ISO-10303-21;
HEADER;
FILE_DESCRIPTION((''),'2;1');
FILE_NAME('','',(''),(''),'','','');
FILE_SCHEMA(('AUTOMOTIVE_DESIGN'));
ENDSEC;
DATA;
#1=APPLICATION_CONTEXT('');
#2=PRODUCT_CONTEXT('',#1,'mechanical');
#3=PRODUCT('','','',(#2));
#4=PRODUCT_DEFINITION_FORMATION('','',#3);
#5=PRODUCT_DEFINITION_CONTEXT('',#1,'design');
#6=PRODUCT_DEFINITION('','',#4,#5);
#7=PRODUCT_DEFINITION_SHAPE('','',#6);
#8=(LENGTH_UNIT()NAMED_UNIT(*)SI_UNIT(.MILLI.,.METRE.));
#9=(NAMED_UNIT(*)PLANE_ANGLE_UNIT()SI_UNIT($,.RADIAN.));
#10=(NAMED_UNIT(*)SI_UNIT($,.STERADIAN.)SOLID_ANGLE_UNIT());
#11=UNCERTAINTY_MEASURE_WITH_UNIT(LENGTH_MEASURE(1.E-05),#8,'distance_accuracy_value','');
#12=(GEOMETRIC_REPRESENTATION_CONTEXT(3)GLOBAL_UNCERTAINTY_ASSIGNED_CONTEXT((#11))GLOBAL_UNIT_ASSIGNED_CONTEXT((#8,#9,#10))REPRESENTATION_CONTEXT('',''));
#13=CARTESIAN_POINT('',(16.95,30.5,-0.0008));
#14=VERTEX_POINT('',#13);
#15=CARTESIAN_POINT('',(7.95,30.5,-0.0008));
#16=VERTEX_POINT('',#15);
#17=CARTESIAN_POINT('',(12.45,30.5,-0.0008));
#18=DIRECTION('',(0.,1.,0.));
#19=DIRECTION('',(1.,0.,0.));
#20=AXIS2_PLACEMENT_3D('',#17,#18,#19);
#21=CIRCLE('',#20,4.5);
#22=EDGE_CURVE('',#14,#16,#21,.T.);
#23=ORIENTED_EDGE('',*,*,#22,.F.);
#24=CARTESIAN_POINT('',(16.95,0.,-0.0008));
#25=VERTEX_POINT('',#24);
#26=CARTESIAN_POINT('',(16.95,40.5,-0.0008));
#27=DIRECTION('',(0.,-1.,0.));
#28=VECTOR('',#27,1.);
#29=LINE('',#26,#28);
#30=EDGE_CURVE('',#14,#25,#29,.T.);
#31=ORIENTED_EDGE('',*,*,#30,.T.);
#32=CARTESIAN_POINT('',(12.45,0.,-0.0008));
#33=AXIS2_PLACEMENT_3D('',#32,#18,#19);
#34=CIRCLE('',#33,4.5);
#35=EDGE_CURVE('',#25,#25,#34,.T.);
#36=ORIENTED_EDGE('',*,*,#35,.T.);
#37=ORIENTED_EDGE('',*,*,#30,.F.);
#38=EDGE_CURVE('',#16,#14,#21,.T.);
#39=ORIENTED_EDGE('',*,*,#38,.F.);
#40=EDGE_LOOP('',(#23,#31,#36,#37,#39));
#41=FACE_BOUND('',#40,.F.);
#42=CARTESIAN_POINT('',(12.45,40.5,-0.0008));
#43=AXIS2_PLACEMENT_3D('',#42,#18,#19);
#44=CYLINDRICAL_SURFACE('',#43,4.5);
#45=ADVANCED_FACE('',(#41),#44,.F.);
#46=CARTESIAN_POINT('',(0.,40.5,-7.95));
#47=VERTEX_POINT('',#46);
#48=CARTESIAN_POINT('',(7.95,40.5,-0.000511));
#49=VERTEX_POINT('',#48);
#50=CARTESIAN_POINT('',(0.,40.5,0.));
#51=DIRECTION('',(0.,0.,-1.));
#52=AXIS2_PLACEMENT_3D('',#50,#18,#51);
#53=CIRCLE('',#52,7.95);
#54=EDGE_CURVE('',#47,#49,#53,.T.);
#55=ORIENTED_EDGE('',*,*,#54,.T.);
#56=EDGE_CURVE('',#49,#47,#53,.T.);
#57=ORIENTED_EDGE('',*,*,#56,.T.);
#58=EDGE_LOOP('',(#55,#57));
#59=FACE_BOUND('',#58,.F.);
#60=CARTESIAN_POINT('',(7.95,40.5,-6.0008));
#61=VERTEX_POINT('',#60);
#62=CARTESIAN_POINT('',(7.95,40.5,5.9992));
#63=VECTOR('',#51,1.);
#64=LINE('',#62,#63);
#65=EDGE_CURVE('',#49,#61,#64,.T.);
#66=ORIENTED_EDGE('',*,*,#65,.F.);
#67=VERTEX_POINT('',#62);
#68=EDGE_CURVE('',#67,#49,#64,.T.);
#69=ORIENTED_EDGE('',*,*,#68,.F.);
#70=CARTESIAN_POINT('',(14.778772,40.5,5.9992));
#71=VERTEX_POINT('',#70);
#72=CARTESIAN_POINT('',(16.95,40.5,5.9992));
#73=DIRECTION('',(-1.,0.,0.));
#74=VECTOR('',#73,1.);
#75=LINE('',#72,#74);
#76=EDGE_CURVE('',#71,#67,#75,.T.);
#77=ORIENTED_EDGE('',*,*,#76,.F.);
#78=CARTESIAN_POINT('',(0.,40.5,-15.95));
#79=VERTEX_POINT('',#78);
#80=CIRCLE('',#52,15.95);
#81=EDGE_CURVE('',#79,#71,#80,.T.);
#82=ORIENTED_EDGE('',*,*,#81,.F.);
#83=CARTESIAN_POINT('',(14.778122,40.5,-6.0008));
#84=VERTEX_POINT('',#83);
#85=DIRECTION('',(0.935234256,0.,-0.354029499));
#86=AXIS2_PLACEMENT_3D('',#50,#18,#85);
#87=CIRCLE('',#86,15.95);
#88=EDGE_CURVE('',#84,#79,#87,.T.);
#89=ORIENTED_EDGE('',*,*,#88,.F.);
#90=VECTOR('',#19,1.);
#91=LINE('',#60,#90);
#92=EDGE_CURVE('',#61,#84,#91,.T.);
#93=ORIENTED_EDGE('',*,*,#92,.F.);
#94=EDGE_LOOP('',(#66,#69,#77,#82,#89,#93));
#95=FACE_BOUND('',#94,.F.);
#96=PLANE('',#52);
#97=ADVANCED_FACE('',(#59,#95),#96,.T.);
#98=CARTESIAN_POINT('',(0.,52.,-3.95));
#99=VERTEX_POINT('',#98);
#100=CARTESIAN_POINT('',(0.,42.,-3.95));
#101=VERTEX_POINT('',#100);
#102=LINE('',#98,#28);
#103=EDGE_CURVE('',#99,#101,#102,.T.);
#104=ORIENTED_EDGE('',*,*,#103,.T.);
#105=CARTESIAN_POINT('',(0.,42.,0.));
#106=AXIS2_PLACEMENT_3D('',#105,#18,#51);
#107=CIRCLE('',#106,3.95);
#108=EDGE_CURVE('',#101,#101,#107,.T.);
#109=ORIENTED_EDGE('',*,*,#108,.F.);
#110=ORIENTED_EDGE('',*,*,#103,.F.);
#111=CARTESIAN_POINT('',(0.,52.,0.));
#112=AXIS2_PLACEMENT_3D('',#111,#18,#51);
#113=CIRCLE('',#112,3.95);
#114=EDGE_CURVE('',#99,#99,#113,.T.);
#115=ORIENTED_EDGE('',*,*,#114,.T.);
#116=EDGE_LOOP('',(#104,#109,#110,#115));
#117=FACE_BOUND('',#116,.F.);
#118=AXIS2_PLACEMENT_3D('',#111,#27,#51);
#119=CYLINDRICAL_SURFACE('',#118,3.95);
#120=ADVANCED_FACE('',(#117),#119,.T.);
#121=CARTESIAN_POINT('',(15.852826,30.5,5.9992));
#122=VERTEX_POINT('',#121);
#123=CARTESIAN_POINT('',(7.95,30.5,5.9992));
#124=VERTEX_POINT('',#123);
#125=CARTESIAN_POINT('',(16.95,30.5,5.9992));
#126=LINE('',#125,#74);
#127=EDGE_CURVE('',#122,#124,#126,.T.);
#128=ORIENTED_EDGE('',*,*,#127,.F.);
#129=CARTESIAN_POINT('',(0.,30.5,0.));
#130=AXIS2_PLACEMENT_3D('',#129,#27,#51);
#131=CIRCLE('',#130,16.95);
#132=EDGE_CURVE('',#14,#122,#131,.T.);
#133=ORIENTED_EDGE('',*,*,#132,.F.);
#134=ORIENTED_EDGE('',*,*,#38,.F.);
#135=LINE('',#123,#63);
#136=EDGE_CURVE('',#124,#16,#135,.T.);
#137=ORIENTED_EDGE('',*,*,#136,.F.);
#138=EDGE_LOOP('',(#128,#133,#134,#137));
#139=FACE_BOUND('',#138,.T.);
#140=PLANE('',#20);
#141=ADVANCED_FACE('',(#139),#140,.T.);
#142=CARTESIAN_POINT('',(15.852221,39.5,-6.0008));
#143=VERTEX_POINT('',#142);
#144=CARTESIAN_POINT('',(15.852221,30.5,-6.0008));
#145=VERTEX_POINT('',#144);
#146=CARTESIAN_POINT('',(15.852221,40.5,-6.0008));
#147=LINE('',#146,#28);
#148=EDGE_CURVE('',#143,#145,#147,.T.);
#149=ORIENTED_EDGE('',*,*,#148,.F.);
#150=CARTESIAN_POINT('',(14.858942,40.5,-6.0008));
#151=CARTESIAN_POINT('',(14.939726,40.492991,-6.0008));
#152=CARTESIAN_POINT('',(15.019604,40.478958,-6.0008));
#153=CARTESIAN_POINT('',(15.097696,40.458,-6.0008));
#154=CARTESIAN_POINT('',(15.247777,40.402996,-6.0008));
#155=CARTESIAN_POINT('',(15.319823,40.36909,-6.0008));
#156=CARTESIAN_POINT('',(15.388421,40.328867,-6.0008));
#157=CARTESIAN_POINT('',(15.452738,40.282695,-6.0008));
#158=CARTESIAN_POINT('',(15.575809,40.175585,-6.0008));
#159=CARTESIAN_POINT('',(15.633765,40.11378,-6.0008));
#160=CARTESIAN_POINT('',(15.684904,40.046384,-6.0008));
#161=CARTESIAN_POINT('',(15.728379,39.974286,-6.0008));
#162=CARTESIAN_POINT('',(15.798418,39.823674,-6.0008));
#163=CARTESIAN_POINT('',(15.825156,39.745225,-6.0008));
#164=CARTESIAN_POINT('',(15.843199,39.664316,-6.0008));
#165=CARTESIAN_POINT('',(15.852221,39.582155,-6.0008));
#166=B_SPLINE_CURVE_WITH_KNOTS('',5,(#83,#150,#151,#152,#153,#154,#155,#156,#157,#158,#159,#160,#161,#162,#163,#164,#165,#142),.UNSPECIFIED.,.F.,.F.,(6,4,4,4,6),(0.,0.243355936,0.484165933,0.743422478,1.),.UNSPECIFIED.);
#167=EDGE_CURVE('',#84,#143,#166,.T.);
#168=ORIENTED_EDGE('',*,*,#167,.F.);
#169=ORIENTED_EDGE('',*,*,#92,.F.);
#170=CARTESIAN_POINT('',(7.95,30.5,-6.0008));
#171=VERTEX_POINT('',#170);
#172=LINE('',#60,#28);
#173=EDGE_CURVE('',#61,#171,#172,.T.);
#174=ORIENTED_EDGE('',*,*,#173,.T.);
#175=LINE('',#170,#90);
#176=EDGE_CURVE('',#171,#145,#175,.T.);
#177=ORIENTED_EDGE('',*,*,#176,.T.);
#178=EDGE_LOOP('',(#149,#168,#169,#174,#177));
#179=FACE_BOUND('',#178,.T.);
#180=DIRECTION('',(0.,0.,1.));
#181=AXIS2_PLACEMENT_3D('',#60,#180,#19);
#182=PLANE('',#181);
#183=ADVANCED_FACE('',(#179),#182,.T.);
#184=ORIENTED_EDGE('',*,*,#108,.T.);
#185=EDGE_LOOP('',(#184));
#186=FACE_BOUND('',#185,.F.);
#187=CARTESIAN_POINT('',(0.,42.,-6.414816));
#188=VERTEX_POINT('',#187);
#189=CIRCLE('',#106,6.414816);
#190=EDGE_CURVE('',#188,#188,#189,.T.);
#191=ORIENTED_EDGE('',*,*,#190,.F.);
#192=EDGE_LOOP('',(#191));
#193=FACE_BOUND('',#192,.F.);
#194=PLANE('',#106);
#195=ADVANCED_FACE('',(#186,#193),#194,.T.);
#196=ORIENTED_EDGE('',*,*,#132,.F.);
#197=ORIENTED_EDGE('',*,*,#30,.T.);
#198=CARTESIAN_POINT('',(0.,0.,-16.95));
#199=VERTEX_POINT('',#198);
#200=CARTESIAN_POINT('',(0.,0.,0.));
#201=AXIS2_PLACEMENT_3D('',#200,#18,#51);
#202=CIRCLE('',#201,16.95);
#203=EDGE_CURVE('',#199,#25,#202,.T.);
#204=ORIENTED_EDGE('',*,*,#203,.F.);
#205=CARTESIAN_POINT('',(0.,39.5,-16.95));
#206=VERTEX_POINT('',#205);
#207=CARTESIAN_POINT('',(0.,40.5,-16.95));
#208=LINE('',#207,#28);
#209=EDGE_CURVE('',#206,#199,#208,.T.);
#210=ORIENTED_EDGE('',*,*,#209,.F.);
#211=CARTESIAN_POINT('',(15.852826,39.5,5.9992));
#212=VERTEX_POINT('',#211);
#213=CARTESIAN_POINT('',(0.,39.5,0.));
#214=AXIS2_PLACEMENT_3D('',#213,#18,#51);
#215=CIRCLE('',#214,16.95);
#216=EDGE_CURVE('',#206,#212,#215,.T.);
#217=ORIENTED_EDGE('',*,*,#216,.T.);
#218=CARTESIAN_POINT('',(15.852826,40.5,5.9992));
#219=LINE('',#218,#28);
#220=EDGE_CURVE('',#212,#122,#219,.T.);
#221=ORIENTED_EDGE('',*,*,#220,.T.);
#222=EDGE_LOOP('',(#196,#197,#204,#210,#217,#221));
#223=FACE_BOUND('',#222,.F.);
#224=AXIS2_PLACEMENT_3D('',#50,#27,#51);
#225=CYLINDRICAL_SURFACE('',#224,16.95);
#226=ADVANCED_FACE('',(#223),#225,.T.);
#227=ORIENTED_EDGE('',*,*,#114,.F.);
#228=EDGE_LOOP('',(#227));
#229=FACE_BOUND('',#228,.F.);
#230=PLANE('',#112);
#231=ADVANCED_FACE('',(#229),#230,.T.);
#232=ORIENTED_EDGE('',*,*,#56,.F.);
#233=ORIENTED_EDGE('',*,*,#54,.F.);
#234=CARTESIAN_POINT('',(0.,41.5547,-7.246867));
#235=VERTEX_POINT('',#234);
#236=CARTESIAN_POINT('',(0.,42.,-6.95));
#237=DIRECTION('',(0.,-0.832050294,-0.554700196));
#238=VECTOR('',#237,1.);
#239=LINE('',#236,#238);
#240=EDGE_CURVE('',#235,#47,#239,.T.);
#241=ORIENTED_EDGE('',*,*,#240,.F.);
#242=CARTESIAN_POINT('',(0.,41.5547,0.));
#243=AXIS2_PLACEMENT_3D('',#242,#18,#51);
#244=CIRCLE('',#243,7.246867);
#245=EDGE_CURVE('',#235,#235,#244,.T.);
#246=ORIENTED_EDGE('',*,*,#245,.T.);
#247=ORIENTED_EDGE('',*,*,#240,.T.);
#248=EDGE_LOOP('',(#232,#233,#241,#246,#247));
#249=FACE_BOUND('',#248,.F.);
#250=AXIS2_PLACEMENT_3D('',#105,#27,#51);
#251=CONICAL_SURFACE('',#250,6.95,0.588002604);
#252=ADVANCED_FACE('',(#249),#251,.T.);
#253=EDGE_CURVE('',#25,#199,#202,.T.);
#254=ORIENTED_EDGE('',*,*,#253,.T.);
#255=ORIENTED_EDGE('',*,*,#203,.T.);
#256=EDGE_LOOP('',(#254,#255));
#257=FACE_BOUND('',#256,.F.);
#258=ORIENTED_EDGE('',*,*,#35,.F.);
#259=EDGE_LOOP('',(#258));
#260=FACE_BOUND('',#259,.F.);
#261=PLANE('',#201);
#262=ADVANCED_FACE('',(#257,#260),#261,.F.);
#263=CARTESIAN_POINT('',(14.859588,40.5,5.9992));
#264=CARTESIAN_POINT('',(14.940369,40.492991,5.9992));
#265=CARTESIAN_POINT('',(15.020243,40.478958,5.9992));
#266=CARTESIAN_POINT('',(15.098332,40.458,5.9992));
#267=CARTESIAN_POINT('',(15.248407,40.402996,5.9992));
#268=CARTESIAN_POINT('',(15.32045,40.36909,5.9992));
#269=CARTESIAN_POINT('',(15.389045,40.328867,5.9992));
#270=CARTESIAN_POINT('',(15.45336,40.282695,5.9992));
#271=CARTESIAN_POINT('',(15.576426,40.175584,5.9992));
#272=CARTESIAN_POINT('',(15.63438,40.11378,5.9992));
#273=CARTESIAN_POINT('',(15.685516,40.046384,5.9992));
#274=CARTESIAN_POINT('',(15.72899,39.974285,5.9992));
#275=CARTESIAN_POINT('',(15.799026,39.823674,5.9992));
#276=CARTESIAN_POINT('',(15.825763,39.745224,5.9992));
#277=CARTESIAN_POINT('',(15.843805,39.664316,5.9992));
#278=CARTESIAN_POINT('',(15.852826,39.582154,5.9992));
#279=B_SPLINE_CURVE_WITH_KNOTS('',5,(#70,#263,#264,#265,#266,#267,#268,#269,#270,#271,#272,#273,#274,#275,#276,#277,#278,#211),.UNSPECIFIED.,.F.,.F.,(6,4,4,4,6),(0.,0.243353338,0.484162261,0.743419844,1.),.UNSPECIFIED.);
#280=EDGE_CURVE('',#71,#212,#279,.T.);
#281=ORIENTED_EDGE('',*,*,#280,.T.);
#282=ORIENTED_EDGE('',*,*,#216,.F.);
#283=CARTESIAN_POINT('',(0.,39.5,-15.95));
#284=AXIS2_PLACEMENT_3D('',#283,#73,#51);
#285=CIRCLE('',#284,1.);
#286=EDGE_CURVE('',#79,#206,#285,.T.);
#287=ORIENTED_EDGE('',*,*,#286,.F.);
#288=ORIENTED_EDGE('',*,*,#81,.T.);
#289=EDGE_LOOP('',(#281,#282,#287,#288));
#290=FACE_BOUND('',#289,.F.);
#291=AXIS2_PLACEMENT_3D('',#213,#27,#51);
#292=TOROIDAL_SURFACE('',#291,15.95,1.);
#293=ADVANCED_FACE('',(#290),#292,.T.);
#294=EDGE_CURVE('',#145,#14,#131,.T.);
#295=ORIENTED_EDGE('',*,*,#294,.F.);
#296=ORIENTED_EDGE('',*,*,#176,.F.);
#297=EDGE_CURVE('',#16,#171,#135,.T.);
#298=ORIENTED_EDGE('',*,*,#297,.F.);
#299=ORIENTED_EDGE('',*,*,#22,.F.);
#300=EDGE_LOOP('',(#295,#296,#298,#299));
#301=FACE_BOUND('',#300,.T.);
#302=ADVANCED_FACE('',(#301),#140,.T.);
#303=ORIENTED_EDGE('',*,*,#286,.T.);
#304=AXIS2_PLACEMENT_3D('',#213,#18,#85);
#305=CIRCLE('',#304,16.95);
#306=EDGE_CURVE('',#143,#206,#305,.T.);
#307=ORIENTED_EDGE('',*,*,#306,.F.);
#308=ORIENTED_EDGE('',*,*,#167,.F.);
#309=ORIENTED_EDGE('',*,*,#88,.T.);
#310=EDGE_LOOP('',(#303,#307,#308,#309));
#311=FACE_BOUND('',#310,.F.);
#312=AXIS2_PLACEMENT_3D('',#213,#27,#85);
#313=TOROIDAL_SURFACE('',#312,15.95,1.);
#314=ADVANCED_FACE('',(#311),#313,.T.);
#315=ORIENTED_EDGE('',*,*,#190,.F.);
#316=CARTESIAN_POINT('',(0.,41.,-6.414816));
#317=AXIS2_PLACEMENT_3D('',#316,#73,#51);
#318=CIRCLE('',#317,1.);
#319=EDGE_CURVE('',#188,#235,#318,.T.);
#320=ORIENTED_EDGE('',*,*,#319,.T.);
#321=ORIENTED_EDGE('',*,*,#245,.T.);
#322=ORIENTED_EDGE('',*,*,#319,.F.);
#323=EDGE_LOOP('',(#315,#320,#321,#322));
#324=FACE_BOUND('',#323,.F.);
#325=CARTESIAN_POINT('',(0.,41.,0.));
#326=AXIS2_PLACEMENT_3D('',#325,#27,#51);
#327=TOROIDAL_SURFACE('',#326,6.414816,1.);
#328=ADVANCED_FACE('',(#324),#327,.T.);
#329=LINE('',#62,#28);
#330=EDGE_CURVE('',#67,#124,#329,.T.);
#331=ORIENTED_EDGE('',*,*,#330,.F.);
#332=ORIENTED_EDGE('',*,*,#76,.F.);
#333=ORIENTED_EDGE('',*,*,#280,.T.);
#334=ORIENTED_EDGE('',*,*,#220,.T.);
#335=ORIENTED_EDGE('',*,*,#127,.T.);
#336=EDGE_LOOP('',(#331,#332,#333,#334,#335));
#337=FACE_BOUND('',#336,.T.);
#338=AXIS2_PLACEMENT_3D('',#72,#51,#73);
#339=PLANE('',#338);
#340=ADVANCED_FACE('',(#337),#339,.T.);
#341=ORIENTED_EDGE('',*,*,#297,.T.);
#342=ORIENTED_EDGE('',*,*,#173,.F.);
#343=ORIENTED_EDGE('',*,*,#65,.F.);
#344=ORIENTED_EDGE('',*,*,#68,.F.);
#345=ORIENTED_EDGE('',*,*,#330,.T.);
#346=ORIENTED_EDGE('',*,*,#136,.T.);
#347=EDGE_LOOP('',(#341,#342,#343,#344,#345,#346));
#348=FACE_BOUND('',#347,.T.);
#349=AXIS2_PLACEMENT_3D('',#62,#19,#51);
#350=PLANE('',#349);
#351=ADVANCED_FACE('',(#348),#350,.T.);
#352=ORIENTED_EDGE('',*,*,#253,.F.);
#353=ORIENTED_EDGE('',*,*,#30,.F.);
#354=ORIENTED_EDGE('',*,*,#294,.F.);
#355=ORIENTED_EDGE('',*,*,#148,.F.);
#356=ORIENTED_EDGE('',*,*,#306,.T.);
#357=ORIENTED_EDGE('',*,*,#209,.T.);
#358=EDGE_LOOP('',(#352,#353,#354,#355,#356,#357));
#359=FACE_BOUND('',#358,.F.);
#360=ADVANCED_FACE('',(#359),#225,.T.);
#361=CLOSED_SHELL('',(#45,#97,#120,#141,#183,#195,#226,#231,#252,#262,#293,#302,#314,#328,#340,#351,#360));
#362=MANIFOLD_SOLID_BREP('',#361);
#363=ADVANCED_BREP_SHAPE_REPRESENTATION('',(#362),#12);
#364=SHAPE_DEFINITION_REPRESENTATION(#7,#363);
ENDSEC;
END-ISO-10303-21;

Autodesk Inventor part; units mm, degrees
ref_plane "YZ Plane" through (0, 0, 0) normal (1, 0, 0) x (0, 1, 0)
ref_plane "XZ Plane" through (0, 0, 0) normal (0, 1, 0) x (-1, 0, 0)
ref_plane "XY Plane" through (0, 0, 0) normal (0, 0, 1) x (1, 0, 0)
sketch "Sketch1" plane through (0, 0, 0) normal (1, 0, 0) x (0, 1, 0)
  line L0 (0, 0) -> (52, 0)
  line L1 (52, 0) -> (52, -3.95)
  line L2 (52, -3.95) -> (42, -3.95)
  line L3 (42, -3.95) -> (42, -6.95)
  line L4 (42, -6.95) -> (40.5, -7.95)
  line L5 (0, -16.95) -> (0, 0)
  line L6 (-10.4, 0) -> (62.4, 0) projected
  line L7 (40.5, -7.95) -> (40.5, -16.95)
  line L8 (40.5, -16.95) -> (0, -16.95)
  dimension "d0" = 3.95
  dimension "d2" = 3
  dimension "d3" = 10
  dimension "d4" = 52
  dimension "d9" = 9
  dimension "d10" = 16.95
  dimension "d11" = 1.5
revolve "Revolution1" add sketch "Sketch1" angle 360 about axis through (0, -10, 0) along (0, 1, 0)
sketch "Sketch2" plane through (0, 40.5, 0) normal (0, 1, 0) x (1, 0, 0)
  circle A0 centre (12.45, 0.0008) radius 4.5
  line L0 (16.95, 0.0008) -> (16.95, -33.7296) construction
  point P0 (0, 0)
  dimension "d12" = 9
  dimension "d13" = 4.5
extrude "Extrusion1" cut sketch "Sketch2" against normal blind 50
sketch "Sketch4" plane through (12.45, 40.5, -0.0008) normal (0, 1, 0) x (1, 0, 0)
  line L0 (4.5, -6) -> (-4.5, -6)
  line L1 (-4.5, -6) -> (-4.5, 6)
  line L2 (-4.5, 6) -> (4.5, 6)
  line L3 (4.5, 6) -> (4.5, -6)
  line L4 (4.5, -6) -> (-4.5, 6) construction
  line L5 (-4.5, -6) -> (4.5, 6) construction
  point P0 (-12.45, -0.0004)
  point P1 (0, 0)
  dimension "d16" = 9
  dimension "d17" = 12
extrude "Extrusion2" cut sketch "Sketch4" against normal blind 10
fillet "Fillet1" radius 1 3 edges at (0, 42, 6.95) (9.6329, 40.5, -13.9466) (-13.9461, 40.5, 9.6337)
properties part number "BaseEje"
